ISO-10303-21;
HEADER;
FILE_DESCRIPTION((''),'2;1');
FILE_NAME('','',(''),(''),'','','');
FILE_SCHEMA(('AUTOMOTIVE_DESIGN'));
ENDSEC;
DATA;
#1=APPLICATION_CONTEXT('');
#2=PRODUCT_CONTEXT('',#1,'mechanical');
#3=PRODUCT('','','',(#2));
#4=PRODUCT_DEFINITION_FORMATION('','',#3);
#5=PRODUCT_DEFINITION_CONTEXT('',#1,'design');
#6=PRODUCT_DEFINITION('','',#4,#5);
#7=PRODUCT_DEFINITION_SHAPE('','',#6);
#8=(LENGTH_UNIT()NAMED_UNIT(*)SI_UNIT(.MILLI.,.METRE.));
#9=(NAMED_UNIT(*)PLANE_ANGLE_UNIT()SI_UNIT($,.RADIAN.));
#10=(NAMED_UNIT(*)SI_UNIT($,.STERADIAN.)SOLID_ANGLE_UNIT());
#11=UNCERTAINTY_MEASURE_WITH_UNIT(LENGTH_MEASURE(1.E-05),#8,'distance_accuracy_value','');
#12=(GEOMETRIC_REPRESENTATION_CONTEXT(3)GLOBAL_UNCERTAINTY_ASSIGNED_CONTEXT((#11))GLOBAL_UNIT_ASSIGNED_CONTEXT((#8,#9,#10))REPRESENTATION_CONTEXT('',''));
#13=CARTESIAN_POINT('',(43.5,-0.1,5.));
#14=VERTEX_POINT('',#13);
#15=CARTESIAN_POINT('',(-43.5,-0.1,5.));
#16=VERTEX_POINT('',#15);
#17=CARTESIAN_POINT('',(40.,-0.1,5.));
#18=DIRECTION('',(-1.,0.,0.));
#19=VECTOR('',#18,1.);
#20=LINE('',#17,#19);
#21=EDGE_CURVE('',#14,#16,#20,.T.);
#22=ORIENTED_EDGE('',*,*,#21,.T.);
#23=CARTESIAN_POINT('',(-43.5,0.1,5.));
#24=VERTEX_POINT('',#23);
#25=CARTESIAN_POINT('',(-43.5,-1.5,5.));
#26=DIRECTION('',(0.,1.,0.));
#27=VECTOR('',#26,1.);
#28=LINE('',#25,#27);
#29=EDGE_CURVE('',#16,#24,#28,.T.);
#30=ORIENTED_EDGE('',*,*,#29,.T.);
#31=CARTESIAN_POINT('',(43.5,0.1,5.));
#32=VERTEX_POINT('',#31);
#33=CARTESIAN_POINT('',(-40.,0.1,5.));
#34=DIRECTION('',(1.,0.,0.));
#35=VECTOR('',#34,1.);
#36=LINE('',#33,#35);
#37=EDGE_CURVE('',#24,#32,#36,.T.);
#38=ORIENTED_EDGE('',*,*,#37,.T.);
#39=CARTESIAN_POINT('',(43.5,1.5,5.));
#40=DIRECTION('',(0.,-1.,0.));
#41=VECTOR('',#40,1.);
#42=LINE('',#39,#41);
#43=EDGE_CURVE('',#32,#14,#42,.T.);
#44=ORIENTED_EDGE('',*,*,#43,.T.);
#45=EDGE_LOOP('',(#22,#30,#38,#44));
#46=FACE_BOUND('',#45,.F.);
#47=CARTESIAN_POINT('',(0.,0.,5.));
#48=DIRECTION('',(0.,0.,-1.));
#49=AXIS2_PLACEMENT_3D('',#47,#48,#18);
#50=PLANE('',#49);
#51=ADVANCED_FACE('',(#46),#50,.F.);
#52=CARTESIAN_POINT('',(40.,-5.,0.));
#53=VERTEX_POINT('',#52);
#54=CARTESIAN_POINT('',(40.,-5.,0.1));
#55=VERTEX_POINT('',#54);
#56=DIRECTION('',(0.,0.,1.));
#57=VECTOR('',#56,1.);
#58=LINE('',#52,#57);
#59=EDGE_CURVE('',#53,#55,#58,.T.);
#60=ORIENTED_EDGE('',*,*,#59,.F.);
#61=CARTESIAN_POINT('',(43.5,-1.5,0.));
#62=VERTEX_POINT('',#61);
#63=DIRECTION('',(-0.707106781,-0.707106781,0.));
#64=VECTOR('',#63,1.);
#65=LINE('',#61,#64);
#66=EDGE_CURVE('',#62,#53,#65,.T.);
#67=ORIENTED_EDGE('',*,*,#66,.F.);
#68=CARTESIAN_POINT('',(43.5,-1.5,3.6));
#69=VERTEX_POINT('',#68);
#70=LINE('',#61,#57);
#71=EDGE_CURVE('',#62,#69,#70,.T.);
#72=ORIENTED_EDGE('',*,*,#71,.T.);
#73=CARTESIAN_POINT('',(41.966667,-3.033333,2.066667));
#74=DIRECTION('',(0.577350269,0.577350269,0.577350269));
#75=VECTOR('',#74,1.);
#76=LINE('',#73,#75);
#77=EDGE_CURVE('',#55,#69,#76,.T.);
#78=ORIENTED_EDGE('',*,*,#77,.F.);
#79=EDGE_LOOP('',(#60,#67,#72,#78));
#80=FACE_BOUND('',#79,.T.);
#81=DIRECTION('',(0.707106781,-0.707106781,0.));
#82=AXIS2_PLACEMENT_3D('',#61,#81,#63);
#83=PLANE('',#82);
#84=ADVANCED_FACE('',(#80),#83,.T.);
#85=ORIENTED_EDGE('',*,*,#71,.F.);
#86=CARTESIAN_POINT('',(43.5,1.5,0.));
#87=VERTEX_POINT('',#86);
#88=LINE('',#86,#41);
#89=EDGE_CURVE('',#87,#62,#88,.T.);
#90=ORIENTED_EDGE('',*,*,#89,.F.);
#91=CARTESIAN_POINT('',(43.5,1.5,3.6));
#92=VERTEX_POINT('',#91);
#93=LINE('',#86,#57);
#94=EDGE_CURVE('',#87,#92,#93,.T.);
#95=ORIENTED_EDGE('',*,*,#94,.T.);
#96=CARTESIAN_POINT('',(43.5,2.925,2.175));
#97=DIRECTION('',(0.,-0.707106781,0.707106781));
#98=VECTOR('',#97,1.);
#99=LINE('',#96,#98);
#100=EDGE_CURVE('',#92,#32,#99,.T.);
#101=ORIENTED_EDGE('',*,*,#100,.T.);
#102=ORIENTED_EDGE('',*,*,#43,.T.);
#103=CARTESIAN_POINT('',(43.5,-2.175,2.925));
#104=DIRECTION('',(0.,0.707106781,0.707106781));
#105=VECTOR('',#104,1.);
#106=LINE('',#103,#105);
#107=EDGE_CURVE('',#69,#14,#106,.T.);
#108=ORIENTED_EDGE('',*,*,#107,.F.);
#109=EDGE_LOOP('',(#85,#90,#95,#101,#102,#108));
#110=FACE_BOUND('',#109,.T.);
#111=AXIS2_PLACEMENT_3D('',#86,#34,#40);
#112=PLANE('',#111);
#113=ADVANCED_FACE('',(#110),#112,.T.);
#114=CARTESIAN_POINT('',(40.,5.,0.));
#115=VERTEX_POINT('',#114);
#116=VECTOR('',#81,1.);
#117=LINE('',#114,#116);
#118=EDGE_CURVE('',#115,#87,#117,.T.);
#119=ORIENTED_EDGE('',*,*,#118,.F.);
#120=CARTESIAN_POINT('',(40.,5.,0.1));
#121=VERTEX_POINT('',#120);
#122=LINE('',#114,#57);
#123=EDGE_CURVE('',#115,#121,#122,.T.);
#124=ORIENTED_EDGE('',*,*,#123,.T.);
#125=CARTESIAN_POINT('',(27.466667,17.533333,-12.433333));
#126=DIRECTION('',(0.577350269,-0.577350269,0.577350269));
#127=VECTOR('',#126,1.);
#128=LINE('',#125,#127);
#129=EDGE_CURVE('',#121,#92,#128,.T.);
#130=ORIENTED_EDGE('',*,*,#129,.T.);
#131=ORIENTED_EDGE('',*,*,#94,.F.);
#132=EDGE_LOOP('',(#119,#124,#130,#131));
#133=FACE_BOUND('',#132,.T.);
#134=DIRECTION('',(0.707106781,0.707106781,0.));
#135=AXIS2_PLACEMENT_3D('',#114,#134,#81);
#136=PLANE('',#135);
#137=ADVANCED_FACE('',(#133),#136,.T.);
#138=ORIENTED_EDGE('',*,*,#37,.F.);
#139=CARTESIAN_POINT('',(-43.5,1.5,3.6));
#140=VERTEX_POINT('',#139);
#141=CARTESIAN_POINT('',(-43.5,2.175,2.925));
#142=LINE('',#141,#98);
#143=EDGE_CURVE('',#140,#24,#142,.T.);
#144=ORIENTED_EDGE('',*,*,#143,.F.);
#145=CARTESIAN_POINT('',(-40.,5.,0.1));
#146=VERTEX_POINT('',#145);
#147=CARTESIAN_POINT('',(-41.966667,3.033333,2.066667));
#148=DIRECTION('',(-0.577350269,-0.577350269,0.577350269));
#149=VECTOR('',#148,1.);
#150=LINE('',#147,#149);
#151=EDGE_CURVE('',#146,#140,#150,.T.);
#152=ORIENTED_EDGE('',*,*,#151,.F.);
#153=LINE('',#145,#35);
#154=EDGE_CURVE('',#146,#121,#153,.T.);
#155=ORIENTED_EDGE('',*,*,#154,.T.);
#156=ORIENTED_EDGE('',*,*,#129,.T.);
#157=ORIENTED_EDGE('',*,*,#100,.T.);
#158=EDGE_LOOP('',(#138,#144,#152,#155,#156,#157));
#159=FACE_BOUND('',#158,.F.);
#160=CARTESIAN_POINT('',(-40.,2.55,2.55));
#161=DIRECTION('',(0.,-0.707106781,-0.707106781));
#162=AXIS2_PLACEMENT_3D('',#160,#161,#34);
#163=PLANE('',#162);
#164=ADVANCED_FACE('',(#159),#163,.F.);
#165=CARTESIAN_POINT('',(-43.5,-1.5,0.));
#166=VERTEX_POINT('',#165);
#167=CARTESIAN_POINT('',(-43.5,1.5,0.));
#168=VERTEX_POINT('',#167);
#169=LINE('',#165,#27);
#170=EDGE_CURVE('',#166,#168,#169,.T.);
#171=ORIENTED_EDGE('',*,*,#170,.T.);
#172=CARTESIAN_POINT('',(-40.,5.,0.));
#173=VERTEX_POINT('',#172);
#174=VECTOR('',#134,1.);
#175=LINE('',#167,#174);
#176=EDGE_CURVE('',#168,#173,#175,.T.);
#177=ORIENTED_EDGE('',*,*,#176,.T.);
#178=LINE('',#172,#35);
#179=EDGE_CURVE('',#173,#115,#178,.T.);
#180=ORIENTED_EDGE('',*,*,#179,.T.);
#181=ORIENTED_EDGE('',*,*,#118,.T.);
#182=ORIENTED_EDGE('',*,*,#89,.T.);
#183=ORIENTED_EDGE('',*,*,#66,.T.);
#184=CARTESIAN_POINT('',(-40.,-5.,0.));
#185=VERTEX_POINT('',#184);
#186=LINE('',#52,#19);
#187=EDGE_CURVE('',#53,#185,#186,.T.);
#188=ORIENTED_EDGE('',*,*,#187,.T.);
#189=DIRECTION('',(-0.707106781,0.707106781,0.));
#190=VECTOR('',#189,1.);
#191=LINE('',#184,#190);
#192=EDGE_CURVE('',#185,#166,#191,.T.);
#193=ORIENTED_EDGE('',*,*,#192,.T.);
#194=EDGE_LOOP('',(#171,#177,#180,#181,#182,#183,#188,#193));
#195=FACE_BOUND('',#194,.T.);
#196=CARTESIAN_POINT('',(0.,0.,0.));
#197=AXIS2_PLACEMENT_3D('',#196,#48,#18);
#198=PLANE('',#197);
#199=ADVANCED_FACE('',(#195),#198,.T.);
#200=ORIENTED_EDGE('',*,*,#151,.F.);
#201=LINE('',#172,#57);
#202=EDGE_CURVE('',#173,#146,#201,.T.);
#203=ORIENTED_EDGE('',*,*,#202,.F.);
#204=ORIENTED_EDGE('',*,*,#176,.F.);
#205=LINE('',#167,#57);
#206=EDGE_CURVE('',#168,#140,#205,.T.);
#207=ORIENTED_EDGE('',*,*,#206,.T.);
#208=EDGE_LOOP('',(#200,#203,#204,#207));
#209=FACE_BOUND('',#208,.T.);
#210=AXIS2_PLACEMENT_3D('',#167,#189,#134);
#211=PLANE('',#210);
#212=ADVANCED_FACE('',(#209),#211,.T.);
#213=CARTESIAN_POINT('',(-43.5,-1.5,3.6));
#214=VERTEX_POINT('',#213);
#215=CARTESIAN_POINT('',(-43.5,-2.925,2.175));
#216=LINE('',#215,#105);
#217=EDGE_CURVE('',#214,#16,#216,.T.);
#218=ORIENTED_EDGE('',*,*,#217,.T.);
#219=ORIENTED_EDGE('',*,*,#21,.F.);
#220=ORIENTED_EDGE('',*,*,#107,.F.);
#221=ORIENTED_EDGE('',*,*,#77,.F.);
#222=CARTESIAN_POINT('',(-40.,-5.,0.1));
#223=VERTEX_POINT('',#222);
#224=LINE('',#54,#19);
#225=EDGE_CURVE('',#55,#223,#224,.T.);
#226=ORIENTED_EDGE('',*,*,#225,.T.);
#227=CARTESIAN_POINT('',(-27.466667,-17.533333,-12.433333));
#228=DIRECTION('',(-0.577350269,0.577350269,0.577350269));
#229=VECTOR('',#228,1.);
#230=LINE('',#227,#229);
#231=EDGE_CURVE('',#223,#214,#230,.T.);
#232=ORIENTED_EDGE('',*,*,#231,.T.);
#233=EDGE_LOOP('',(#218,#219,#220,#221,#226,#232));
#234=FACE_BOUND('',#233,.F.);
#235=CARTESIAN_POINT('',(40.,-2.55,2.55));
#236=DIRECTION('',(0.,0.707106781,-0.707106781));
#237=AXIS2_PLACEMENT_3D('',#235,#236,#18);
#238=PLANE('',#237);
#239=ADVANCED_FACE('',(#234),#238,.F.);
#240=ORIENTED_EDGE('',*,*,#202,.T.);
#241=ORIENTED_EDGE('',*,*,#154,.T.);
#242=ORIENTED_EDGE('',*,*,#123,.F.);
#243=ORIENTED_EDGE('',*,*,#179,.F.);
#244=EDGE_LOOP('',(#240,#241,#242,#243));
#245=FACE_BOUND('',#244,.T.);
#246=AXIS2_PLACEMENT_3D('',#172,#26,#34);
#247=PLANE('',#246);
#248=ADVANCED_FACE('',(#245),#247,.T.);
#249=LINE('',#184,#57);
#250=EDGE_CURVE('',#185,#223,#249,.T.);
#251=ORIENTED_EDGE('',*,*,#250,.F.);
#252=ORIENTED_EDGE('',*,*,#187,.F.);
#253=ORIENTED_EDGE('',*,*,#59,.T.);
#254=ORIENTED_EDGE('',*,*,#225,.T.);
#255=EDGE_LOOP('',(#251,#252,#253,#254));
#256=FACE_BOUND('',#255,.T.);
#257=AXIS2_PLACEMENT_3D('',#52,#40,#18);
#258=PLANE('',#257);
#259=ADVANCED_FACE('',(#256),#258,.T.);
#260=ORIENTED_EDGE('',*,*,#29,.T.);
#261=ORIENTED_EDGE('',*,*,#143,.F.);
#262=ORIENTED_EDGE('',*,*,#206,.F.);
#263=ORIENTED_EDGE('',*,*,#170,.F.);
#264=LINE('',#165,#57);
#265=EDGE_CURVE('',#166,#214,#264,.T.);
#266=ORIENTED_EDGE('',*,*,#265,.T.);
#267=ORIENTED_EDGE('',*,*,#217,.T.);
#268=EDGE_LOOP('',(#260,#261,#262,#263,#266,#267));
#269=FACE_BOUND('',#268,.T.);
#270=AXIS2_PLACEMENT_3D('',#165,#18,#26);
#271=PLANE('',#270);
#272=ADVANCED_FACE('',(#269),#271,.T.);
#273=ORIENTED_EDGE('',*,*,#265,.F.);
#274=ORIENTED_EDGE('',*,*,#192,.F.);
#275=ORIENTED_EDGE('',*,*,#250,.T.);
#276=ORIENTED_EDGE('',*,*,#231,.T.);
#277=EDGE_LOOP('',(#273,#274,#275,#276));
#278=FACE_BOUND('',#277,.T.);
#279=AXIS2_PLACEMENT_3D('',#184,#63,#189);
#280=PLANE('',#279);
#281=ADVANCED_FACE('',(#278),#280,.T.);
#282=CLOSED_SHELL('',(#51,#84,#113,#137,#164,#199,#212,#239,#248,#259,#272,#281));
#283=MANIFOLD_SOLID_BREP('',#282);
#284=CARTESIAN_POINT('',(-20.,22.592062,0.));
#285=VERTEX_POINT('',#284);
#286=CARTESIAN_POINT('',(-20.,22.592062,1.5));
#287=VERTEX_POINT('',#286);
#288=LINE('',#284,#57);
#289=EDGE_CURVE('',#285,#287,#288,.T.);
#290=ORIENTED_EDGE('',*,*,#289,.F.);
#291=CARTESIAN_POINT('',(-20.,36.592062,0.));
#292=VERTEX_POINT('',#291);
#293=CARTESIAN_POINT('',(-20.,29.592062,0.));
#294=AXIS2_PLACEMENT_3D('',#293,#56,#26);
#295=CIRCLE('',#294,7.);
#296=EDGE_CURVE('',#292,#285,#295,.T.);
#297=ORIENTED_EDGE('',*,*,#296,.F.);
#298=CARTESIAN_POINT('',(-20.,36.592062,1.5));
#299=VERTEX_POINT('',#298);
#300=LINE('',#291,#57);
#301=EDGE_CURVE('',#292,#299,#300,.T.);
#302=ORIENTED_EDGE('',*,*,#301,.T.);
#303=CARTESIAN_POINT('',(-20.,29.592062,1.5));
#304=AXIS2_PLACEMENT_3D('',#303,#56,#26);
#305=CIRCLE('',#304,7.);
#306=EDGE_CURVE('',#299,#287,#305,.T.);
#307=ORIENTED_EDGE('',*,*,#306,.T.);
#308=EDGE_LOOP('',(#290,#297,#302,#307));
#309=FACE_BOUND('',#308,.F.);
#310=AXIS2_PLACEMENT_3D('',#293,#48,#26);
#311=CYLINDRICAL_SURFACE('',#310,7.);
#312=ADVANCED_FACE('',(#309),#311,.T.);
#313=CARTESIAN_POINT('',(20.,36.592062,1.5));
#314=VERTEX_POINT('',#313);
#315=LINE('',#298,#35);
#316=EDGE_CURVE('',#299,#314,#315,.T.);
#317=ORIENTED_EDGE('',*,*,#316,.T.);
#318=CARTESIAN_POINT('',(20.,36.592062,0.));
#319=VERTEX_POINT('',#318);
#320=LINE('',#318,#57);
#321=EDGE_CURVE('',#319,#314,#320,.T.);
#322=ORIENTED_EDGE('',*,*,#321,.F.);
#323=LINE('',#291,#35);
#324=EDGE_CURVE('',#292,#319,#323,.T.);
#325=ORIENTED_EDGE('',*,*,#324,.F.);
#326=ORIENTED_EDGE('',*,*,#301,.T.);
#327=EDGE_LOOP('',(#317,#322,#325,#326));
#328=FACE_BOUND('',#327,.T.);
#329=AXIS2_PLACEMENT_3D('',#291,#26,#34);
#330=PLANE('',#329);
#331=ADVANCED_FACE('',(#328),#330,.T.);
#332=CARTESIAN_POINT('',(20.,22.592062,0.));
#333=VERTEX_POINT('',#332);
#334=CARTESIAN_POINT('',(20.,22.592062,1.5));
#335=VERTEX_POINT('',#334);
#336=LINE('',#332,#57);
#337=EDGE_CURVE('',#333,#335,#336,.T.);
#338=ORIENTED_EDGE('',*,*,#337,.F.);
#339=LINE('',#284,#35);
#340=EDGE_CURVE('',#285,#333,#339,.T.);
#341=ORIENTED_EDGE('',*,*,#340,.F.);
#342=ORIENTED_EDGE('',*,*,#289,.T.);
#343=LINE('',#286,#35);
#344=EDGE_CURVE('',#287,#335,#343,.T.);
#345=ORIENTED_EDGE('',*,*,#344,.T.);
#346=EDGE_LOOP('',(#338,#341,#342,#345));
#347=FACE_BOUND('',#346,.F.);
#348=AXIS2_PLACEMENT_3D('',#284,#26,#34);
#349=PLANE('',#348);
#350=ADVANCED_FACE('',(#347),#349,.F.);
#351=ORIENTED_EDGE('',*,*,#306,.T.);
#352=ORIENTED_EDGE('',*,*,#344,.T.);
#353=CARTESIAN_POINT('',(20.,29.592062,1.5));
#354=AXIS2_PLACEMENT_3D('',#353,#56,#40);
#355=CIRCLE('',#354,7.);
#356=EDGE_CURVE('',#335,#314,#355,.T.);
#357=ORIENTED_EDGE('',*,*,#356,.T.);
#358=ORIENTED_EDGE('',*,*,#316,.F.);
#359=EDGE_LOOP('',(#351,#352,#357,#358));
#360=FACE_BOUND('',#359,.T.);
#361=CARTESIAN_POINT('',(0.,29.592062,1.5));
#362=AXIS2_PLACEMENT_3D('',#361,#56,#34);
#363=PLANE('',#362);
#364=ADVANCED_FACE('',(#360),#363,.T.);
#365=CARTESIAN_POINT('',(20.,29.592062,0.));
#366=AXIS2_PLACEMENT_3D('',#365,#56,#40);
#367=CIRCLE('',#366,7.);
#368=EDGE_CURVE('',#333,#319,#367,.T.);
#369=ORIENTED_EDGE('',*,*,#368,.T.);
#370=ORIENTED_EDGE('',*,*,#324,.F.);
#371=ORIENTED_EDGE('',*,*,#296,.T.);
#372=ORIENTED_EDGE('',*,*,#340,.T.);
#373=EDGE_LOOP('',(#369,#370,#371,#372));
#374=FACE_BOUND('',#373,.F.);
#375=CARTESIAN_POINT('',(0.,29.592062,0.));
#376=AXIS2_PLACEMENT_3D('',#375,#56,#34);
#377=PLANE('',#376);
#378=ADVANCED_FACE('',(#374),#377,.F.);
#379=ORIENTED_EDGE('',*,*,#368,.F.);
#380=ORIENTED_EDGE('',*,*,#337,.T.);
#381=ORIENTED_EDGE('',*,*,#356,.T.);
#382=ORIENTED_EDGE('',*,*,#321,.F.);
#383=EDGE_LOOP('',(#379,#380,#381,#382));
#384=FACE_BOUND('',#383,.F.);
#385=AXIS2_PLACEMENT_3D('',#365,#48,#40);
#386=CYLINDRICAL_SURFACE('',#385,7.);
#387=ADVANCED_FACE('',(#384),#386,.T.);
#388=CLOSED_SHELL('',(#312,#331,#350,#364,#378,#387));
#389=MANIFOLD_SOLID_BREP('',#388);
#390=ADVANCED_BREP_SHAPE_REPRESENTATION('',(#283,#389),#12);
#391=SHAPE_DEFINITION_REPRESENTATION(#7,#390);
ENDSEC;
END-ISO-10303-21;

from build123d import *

# Parameters (mm, degrees)
PAD_DEPTH    = 1.5
PAD001_DEPTH = 5
CHAMFER_SIZE = 4.9


with BuildPart() as pad:
    # Sketch → Pad (new body)
    with BuildSketch(Plane.XY):
        with BuildLine():
            ThreePointArc((-20, 36.592062), (-27, 29.592062), (-20, 22.592062))
            Line((-20, 22.592062), (20, 22.592062))
            ThreePointArc((20, 22.592062), (27, 29.592062), (20, 36.592062))
            Line((-20, 36.592062), (20, 36.592062))
        make_face()
    extrude(amount=PAD_DEPTH)


with BuildPart() as chamfer_body:
    # Sketch001 → Pad001 (new body)
    with BuildSketch(Plane.XY):
        Polygon((-40, 5), (40, 5), (43.5, 1.5), (43.5, -1.5), (40, -5), (-40, -5), (-43.5, -1.5), (-43.5, 1.5), align=None)
    extrude(amount=PAD001_DEPTH)

    # Chamfer
    chamfer_edges = [chamfer_body.edges().sort_by_distance(p)[0] for p in [
        (0, 5, 5),
        (0, -5, 5),
    ]]
    chamfer(chamfer_edges, length=CHAMFER_SIZE)


solid = Compound([pad.part, chamfer_body.part])
